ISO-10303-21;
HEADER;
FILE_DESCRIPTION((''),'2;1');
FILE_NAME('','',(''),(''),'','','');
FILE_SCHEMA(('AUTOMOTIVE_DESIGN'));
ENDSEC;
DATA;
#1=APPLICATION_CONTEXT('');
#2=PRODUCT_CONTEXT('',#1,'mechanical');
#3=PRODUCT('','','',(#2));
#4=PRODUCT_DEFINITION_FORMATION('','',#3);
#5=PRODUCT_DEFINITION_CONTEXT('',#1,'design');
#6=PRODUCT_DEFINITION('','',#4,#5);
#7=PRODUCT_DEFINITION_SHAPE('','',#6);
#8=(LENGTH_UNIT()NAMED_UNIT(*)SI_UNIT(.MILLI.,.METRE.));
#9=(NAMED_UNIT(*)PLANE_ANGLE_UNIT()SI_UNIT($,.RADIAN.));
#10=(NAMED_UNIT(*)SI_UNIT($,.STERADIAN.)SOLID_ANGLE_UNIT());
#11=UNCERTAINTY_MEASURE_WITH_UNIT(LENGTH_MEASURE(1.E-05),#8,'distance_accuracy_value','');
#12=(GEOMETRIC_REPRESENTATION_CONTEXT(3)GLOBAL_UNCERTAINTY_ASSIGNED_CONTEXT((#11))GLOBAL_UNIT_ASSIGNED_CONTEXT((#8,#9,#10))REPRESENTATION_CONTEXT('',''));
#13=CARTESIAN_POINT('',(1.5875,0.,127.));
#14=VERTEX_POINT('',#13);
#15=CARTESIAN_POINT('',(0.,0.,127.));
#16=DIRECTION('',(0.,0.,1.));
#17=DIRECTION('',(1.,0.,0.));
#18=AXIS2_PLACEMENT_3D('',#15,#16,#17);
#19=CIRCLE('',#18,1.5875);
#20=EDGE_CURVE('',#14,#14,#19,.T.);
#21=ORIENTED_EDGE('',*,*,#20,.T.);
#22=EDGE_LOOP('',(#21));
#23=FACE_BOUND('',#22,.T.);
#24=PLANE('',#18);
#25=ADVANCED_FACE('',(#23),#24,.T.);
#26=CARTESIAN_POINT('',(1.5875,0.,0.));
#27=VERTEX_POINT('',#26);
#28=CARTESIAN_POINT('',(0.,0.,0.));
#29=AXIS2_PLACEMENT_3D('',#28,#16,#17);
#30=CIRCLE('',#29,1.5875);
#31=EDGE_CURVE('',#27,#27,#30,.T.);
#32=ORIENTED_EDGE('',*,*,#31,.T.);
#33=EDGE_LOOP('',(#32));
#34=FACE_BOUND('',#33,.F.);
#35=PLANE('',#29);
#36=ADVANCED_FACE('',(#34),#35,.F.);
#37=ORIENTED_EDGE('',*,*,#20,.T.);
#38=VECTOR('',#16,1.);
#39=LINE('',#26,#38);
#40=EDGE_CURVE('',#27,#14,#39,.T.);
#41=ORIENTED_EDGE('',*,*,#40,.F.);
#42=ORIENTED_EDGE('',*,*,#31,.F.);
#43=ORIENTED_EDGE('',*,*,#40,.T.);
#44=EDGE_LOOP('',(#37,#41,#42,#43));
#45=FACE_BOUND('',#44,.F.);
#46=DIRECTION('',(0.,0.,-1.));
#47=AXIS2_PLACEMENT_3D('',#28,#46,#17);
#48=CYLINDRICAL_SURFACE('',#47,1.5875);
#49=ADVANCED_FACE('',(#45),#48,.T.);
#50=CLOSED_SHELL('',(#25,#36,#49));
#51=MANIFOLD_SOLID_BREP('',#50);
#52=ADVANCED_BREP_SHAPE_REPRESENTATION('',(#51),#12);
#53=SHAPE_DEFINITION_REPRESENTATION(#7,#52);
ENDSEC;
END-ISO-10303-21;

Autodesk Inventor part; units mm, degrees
ref_plane "YZ Plane" through (0, 0, 0) normal (1, 0, 0) x (0, 1, 0)
ref_plane "XZ Plane" through (0, 0, 0) normal (0, 1, 0) x (-1, 0, 0)
ref_plane "XY Plane" through (0, 0, 0) normal (0, 0, 1) x (1, 0, 0)
sketch "Sketch1" plane through (0, 0, 0) normal (0, 0, 1) x (1, 0, 0)
  circle A0 centre (0, 0) radius 1.5875
  dimension "d0" = 3.175
extrude "Extrusion1" add sketch "Sketch1" along normal blind 127
properties part number "Shaft2" material "Steel AISI 4130"
